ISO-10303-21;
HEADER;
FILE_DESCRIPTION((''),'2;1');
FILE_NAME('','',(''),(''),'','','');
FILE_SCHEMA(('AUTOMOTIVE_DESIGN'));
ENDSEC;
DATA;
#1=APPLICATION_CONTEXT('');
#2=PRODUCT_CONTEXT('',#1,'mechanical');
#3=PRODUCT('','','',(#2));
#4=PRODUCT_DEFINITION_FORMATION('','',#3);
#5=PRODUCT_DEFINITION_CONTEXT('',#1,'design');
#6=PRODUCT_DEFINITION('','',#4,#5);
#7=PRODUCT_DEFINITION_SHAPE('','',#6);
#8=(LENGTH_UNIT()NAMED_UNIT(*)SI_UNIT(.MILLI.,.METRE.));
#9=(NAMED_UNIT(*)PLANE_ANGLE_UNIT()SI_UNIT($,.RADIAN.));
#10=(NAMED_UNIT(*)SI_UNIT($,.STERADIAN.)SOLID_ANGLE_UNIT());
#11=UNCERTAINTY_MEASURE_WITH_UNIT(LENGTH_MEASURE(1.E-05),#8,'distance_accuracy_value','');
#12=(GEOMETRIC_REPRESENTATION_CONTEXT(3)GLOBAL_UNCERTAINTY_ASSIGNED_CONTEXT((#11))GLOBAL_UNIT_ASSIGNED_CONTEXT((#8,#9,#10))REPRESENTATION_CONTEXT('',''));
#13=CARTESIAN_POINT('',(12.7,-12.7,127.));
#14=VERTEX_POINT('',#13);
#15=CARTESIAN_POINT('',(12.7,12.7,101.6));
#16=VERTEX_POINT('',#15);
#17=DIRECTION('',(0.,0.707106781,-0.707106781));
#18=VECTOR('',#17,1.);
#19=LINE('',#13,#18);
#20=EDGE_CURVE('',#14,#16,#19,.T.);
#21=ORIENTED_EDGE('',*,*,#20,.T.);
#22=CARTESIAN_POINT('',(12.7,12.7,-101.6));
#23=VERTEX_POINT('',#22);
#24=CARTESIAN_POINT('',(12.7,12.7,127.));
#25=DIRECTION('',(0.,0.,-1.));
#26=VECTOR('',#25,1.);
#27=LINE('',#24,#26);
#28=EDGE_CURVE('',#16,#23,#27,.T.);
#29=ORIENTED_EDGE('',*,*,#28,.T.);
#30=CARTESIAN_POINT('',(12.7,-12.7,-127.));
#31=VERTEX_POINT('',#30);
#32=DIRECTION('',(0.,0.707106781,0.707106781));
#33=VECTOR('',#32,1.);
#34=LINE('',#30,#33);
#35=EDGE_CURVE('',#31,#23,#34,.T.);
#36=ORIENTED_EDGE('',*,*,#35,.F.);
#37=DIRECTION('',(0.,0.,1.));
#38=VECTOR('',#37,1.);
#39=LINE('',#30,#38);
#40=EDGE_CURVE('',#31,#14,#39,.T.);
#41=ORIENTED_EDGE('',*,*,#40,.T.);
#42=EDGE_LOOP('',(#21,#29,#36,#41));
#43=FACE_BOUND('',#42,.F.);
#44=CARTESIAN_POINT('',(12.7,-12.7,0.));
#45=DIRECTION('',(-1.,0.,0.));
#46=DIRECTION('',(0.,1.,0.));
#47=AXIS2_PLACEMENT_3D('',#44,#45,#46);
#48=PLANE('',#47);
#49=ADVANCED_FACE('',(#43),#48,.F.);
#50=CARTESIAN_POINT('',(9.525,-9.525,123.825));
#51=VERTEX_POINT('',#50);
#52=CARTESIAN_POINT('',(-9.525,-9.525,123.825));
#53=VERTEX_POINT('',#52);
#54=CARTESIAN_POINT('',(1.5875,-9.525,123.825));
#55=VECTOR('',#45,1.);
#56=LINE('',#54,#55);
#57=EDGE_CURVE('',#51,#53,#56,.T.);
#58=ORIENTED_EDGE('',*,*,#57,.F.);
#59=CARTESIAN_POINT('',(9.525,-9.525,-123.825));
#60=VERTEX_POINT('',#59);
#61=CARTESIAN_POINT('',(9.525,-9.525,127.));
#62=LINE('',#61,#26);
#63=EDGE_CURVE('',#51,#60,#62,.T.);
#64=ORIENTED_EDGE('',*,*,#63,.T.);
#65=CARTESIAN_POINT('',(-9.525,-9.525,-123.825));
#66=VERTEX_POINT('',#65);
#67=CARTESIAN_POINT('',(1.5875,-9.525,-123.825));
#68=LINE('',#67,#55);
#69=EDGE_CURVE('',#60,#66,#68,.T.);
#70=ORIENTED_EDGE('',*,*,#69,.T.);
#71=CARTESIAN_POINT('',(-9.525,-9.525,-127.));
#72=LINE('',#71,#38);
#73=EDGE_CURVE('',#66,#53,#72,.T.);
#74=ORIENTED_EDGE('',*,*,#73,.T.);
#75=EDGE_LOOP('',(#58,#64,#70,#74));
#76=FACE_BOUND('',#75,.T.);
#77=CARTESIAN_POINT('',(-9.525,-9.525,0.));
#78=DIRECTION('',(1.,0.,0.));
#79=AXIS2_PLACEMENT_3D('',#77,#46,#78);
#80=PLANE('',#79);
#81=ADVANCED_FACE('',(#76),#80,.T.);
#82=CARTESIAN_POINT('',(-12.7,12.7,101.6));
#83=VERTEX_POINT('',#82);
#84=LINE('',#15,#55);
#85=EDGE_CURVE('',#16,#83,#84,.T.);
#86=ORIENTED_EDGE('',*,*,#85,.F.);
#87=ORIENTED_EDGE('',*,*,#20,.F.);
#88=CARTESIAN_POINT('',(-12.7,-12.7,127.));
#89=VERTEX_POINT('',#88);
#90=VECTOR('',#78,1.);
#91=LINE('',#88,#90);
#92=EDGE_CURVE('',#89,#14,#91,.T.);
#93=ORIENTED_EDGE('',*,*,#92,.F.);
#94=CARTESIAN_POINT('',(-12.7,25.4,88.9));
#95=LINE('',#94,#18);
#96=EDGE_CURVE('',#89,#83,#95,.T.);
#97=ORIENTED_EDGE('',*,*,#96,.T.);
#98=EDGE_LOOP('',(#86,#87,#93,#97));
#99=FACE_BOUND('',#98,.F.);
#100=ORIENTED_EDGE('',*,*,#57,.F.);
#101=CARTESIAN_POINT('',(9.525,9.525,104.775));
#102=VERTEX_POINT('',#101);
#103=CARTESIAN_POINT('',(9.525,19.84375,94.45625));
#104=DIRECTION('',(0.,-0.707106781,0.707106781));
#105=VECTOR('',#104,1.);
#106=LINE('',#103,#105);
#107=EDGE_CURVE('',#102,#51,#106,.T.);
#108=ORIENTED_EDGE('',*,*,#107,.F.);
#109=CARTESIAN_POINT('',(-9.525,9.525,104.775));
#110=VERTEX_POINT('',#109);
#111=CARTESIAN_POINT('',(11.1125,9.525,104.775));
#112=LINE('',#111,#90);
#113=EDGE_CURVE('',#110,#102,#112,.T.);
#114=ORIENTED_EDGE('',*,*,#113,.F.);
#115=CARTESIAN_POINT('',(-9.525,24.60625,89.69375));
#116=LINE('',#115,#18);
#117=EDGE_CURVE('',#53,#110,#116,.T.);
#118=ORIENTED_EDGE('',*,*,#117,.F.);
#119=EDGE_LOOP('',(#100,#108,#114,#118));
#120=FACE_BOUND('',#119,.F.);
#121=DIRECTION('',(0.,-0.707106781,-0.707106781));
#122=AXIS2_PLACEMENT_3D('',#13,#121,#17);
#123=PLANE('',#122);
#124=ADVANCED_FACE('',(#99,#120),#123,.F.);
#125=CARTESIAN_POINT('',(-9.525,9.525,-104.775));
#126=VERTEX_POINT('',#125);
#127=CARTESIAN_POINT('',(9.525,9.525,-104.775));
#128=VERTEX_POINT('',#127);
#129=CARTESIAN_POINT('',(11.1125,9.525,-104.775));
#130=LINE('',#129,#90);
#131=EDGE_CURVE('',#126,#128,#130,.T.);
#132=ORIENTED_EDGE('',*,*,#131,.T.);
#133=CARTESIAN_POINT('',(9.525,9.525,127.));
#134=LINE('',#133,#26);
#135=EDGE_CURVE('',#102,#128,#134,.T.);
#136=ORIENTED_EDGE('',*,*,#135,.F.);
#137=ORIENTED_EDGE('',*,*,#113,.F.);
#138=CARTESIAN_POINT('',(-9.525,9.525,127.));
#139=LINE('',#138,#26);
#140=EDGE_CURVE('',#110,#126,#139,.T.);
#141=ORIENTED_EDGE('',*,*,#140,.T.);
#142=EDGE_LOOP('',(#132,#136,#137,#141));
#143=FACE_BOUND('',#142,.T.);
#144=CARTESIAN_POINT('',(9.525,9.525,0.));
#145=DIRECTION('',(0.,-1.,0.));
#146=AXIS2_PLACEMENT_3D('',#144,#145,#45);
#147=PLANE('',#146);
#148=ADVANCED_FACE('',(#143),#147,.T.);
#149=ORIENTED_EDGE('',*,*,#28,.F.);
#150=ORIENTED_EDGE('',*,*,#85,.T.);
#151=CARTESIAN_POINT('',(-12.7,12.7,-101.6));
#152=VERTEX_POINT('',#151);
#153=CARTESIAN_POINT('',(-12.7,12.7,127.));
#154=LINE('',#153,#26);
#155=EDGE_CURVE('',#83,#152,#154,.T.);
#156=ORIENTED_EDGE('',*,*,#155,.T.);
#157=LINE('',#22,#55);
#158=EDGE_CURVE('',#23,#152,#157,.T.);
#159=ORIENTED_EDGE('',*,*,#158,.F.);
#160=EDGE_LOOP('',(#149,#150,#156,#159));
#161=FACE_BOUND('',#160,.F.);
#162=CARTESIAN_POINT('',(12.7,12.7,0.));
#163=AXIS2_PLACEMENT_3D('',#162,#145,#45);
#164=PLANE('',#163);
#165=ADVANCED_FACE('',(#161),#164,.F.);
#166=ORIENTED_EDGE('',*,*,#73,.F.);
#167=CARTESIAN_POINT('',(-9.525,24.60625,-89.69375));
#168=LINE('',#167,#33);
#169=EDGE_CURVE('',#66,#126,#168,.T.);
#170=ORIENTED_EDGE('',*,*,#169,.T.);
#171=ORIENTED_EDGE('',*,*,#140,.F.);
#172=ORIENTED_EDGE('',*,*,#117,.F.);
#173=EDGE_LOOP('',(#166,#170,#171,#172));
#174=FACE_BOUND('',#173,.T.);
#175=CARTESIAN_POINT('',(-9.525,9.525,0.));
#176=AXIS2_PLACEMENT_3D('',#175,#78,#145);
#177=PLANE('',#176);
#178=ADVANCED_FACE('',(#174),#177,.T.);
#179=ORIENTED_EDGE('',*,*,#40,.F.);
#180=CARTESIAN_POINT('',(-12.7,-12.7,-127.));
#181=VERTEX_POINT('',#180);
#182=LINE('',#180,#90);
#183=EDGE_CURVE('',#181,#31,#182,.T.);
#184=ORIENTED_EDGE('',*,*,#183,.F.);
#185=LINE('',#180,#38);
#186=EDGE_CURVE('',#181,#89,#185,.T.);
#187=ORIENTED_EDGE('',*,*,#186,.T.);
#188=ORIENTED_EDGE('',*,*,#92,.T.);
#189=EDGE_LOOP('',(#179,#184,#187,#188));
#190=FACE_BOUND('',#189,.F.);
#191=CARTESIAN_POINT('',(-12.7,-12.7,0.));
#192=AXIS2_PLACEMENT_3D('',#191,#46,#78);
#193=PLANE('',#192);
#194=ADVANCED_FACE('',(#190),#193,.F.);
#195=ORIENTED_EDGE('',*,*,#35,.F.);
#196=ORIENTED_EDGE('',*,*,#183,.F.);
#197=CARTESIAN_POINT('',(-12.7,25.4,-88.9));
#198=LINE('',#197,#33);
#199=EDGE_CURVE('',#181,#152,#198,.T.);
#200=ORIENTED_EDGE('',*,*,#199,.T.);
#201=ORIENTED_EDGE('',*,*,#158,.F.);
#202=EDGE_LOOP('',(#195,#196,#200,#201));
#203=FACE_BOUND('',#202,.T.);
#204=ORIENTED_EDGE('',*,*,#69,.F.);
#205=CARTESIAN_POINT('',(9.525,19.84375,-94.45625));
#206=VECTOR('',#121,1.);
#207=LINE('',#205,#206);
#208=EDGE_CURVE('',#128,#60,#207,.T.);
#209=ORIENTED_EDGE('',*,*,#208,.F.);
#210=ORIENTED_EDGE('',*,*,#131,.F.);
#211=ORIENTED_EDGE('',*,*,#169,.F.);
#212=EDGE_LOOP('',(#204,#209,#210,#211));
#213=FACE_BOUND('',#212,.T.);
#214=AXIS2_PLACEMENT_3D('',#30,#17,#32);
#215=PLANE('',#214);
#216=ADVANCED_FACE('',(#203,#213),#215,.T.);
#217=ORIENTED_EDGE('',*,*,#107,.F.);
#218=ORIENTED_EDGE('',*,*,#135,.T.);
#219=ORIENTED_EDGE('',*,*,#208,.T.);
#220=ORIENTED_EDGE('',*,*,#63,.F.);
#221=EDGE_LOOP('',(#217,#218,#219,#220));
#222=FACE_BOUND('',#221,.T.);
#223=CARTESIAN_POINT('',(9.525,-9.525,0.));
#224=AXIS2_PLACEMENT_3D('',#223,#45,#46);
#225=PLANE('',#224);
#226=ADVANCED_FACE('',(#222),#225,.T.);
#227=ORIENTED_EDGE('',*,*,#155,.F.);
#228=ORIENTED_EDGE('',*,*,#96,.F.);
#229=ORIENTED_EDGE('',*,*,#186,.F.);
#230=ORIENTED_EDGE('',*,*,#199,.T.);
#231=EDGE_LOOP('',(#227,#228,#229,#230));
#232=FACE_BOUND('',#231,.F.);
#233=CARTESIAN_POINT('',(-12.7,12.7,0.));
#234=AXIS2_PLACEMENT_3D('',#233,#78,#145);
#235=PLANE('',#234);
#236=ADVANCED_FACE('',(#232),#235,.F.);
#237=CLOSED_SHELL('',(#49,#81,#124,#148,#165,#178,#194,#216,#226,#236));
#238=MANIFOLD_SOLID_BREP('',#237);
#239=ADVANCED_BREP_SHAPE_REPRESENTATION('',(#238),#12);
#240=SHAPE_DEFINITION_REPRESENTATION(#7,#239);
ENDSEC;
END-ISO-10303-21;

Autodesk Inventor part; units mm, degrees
ref_plane "YZ Plane" through (0, 0, 0) normal (1, 0, 0) x (0, 1, 0)
ref_plane "XZ Plane" through (0, 0, 0) normal (0, 1, 0) x (-1, 0, 0)
ref_plane "XY Plane" through (0, 0, 0) normal (0, 0, 1) x (1, 0, 0)
sketch "Sketch1" plane through (0, 0, 0) normal (0, 0, 1) x (1, 0, 0)
  line L0 (-12.7, -12.7) -> (12.7, -12.7)
  line L1 (12.7, -12.7) -> (12.7, 12.7)
  line L2 (12.7, 12.7) -> (-12.7, 12.7)
  line L3 (-12.7, 12.7) -> (-12.7, -12.7)
  line L4 (-12.7, -12.7) -> (12.7, 12.7) construction
  line L5 (12.7, -12.7) -> (-12.7, 12.7) construction
  line L6 (-9.525, -9.525) -> (9.525, -9.525)
  line L7 (9.525, -9.525) -> (9.525, 9.525)
  line L8 (9.525, 9.525) -> (-9.525, 9.525)
  line L9 (-9.525, 9.525) -> (-9.525, -9.525)
  line L10 (-9.525, -9.525) -> (9.525, 9.525) construction
  line L11 (9.525, -9.525) -> (-9.525, 9.525) construction
  point P0 (0, 0)
  dimension "d0" = 25.4
  dimension "d1" = 25.4
  dimension "d2" = 3.175
  dimension "d3" = 3.175
extrude "Extrusion1" add sketch "Sketch1" along normal mid plane 254
sketch "Sketch2" plane through (12.7, -12.7, 127) normal (1, 0, 0) x (0, 0, -1)
  line L0 (0, 0) -> (0, 25.4) projected
  line L1 (0, 0) -> (25.4, 25.4)
  line L2 (254, 25.4) -> (0, 25.4) projected
  line L3 (0, 25.4) -> (0, 0)
  line L4 (0, 0) -> (254, 0) projected
  line L5 (254, 0) -> (254, 25.4) projected
  line L6 (254, 0) -> (228.6, 25.4)
  line L7 (254, 25.4) -> (254, 0)
  point P0 (127, 12.7)
  dimension "d7" = 45
  dimension "d8" = 45
extrude "Extrusion2" cut sketch "Sketch2" against normal through all contours L0 L2 L1 | L6 L2 L5
properties part number "10-inchAluminumTubingWith45DegreeCuts" material "Aluminum 6061"
